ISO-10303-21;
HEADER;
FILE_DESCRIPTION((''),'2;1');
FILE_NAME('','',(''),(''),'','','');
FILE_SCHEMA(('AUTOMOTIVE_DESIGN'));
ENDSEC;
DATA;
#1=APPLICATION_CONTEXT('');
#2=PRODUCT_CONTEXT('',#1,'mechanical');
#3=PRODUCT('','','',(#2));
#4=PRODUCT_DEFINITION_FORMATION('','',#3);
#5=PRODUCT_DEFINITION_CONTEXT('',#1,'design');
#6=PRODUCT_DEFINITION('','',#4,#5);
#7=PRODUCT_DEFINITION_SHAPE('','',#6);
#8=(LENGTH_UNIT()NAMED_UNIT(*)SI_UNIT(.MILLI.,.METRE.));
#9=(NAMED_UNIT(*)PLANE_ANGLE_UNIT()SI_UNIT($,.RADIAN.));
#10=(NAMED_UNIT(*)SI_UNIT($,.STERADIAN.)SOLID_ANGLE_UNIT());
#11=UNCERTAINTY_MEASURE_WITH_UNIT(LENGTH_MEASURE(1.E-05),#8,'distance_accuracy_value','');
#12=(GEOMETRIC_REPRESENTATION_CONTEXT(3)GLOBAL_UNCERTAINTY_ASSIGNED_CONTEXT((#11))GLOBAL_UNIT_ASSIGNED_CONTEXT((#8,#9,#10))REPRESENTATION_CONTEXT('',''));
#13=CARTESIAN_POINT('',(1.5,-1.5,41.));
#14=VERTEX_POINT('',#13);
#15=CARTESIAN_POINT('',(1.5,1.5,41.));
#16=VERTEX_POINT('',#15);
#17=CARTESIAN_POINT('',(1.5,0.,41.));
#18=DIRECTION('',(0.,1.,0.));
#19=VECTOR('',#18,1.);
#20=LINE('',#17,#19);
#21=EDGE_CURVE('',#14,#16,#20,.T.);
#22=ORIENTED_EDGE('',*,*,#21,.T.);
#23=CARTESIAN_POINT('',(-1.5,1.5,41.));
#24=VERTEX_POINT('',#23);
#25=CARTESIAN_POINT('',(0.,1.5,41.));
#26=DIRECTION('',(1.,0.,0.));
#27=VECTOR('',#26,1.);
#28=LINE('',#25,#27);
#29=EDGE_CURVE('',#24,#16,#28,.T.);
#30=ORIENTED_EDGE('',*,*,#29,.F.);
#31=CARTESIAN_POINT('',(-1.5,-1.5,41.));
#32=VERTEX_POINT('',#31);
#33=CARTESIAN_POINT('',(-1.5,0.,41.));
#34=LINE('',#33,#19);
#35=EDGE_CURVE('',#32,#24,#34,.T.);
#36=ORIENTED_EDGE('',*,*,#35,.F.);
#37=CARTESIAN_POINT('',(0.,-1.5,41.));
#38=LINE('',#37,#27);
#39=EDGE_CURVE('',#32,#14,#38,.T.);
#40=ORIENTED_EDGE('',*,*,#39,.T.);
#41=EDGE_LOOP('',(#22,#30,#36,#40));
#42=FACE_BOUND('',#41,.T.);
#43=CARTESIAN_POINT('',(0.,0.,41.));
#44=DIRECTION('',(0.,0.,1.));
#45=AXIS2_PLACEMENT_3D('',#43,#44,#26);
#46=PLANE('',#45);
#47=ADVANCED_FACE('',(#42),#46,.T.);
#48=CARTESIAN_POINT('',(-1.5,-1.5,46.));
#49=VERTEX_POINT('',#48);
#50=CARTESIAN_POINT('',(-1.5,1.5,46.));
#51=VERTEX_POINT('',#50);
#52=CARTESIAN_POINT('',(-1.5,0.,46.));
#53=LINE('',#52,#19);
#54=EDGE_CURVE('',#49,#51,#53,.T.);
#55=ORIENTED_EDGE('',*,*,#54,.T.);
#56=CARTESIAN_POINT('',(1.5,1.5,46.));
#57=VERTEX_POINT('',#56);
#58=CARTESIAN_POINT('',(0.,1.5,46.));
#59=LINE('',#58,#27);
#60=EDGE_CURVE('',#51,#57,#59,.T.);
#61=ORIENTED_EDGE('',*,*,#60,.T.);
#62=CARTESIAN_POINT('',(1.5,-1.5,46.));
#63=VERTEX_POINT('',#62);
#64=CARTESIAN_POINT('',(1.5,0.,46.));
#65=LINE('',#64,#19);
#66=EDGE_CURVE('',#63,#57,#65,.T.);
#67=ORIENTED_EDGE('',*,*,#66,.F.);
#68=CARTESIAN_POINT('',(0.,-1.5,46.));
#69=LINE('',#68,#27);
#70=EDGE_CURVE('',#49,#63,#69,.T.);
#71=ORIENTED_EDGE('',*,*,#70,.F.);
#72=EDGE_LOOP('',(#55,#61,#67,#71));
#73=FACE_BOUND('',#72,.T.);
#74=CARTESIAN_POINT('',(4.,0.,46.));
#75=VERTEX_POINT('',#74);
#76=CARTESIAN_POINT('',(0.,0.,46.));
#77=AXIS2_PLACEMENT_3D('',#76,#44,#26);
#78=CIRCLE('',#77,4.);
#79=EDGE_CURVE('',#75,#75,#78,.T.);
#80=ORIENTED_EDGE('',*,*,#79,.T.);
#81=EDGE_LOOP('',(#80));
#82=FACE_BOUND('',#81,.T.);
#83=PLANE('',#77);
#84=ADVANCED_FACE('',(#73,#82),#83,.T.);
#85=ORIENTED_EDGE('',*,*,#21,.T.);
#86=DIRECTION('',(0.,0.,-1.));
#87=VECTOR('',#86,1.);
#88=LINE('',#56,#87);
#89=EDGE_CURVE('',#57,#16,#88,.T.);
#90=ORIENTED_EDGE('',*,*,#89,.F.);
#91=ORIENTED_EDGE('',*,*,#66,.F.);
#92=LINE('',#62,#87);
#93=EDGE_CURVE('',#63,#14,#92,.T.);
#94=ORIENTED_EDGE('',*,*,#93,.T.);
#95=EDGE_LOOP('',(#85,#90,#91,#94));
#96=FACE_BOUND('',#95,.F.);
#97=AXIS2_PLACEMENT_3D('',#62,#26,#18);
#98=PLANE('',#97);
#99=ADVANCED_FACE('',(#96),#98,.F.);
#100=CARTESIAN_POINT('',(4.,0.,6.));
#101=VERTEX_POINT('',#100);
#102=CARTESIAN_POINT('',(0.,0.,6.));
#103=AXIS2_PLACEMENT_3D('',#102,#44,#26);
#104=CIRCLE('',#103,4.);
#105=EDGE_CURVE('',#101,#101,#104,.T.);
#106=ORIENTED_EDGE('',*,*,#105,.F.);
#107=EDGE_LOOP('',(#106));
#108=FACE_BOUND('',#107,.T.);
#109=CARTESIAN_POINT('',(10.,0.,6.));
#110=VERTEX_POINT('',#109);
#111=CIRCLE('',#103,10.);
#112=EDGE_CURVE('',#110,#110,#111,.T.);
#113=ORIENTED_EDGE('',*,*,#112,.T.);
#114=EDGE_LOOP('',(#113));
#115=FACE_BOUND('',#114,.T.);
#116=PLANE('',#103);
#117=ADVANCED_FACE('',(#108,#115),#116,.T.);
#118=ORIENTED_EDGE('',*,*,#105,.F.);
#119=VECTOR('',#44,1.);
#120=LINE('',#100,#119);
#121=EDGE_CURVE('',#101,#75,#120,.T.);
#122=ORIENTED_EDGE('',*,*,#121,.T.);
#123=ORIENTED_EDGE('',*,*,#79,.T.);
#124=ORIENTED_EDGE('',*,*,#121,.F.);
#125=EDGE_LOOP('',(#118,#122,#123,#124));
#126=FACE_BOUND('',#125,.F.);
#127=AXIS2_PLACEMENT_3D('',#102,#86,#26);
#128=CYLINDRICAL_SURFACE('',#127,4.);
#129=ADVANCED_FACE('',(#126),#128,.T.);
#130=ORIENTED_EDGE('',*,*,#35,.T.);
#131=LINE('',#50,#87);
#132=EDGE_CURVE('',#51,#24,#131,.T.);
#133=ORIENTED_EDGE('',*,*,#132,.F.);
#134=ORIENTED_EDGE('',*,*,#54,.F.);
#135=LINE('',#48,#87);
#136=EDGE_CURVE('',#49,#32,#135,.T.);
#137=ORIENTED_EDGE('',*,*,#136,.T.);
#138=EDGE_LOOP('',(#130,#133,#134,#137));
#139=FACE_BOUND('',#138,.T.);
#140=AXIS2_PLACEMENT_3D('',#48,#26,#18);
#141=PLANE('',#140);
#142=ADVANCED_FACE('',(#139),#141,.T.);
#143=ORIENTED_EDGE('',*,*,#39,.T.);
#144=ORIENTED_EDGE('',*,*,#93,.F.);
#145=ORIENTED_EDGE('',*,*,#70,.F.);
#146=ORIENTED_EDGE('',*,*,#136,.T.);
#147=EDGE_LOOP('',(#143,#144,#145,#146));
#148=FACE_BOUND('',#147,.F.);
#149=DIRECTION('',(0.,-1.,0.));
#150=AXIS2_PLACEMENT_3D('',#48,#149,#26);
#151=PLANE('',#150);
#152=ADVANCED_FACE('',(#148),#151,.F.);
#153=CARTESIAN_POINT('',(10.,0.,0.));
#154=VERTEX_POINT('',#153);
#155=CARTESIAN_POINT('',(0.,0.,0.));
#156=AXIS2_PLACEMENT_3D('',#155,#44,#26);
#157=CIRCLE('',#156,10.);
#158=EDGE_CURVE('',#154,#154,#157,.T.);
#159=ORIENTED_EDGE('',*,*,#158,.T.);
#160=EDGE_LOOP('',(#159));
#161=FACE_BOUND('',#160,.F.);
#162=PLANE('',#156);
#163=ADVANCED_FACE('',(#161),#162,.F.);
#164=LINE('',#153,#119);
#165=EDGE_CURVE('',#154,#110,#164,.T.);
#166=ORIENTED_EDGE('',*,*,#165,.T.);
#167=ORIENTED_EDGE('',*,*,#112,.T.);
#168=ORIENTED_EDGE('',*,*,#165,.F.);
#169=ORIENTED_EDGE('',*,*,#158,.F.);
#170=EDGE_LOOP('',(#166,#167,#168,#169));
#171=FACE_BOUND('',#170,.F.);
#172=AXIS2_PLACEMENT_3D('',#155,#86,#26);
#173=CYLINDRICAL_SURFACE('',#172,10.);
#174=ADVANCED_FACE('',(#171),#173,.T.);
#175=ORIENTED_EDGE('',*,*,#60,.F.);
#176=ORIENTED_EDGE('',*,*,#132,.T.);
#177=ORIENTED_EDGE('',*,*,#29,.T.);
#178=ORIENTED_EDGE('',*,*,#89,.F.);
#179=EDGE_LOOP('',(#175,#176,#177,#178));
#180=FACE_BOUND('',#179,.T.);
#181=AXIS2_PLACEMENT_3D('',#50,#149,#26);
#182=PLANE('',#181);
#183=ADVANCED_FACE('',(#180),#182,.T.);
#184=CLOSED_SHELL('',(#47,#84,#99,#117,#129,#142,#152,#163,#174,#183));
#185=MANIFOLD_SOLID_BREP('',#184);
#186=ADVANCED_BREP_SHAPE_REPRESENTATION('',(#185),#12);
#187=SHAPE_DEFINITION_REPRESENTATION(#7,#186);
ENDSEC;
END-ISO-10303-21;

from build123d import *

# Parameters (mm, degrees)
F0_R     = 10
F1_DEPTH = 6
F2_R     = 4
F3_DEPTH = 40
F4_W     = 3
F4_H     = 3
F5_DEPTH = 5


with BuildPart() as f1:
    # F0 (on Top) → F1 (new body)
    with BuildSketch(Plane.XY):
        Circle(F0_R)
    extrude(amount=F1_DEPTH)

    # F2 (on face) → F3 (join)
    with BuildSketch(Plane.XY.offset(6)):
        Circle(F2_R)
    extrude(amount=F3_DEPTH)

    # F4 (on face) → F5 (cut)
    with BuildSketch(Plane.XY.offset(46)):
        Rectangle(F4_W, F4_H)
    extrude(amount=-F5_DEPTH, mode=Mode.SUBTRACT)


solid = f1.part
